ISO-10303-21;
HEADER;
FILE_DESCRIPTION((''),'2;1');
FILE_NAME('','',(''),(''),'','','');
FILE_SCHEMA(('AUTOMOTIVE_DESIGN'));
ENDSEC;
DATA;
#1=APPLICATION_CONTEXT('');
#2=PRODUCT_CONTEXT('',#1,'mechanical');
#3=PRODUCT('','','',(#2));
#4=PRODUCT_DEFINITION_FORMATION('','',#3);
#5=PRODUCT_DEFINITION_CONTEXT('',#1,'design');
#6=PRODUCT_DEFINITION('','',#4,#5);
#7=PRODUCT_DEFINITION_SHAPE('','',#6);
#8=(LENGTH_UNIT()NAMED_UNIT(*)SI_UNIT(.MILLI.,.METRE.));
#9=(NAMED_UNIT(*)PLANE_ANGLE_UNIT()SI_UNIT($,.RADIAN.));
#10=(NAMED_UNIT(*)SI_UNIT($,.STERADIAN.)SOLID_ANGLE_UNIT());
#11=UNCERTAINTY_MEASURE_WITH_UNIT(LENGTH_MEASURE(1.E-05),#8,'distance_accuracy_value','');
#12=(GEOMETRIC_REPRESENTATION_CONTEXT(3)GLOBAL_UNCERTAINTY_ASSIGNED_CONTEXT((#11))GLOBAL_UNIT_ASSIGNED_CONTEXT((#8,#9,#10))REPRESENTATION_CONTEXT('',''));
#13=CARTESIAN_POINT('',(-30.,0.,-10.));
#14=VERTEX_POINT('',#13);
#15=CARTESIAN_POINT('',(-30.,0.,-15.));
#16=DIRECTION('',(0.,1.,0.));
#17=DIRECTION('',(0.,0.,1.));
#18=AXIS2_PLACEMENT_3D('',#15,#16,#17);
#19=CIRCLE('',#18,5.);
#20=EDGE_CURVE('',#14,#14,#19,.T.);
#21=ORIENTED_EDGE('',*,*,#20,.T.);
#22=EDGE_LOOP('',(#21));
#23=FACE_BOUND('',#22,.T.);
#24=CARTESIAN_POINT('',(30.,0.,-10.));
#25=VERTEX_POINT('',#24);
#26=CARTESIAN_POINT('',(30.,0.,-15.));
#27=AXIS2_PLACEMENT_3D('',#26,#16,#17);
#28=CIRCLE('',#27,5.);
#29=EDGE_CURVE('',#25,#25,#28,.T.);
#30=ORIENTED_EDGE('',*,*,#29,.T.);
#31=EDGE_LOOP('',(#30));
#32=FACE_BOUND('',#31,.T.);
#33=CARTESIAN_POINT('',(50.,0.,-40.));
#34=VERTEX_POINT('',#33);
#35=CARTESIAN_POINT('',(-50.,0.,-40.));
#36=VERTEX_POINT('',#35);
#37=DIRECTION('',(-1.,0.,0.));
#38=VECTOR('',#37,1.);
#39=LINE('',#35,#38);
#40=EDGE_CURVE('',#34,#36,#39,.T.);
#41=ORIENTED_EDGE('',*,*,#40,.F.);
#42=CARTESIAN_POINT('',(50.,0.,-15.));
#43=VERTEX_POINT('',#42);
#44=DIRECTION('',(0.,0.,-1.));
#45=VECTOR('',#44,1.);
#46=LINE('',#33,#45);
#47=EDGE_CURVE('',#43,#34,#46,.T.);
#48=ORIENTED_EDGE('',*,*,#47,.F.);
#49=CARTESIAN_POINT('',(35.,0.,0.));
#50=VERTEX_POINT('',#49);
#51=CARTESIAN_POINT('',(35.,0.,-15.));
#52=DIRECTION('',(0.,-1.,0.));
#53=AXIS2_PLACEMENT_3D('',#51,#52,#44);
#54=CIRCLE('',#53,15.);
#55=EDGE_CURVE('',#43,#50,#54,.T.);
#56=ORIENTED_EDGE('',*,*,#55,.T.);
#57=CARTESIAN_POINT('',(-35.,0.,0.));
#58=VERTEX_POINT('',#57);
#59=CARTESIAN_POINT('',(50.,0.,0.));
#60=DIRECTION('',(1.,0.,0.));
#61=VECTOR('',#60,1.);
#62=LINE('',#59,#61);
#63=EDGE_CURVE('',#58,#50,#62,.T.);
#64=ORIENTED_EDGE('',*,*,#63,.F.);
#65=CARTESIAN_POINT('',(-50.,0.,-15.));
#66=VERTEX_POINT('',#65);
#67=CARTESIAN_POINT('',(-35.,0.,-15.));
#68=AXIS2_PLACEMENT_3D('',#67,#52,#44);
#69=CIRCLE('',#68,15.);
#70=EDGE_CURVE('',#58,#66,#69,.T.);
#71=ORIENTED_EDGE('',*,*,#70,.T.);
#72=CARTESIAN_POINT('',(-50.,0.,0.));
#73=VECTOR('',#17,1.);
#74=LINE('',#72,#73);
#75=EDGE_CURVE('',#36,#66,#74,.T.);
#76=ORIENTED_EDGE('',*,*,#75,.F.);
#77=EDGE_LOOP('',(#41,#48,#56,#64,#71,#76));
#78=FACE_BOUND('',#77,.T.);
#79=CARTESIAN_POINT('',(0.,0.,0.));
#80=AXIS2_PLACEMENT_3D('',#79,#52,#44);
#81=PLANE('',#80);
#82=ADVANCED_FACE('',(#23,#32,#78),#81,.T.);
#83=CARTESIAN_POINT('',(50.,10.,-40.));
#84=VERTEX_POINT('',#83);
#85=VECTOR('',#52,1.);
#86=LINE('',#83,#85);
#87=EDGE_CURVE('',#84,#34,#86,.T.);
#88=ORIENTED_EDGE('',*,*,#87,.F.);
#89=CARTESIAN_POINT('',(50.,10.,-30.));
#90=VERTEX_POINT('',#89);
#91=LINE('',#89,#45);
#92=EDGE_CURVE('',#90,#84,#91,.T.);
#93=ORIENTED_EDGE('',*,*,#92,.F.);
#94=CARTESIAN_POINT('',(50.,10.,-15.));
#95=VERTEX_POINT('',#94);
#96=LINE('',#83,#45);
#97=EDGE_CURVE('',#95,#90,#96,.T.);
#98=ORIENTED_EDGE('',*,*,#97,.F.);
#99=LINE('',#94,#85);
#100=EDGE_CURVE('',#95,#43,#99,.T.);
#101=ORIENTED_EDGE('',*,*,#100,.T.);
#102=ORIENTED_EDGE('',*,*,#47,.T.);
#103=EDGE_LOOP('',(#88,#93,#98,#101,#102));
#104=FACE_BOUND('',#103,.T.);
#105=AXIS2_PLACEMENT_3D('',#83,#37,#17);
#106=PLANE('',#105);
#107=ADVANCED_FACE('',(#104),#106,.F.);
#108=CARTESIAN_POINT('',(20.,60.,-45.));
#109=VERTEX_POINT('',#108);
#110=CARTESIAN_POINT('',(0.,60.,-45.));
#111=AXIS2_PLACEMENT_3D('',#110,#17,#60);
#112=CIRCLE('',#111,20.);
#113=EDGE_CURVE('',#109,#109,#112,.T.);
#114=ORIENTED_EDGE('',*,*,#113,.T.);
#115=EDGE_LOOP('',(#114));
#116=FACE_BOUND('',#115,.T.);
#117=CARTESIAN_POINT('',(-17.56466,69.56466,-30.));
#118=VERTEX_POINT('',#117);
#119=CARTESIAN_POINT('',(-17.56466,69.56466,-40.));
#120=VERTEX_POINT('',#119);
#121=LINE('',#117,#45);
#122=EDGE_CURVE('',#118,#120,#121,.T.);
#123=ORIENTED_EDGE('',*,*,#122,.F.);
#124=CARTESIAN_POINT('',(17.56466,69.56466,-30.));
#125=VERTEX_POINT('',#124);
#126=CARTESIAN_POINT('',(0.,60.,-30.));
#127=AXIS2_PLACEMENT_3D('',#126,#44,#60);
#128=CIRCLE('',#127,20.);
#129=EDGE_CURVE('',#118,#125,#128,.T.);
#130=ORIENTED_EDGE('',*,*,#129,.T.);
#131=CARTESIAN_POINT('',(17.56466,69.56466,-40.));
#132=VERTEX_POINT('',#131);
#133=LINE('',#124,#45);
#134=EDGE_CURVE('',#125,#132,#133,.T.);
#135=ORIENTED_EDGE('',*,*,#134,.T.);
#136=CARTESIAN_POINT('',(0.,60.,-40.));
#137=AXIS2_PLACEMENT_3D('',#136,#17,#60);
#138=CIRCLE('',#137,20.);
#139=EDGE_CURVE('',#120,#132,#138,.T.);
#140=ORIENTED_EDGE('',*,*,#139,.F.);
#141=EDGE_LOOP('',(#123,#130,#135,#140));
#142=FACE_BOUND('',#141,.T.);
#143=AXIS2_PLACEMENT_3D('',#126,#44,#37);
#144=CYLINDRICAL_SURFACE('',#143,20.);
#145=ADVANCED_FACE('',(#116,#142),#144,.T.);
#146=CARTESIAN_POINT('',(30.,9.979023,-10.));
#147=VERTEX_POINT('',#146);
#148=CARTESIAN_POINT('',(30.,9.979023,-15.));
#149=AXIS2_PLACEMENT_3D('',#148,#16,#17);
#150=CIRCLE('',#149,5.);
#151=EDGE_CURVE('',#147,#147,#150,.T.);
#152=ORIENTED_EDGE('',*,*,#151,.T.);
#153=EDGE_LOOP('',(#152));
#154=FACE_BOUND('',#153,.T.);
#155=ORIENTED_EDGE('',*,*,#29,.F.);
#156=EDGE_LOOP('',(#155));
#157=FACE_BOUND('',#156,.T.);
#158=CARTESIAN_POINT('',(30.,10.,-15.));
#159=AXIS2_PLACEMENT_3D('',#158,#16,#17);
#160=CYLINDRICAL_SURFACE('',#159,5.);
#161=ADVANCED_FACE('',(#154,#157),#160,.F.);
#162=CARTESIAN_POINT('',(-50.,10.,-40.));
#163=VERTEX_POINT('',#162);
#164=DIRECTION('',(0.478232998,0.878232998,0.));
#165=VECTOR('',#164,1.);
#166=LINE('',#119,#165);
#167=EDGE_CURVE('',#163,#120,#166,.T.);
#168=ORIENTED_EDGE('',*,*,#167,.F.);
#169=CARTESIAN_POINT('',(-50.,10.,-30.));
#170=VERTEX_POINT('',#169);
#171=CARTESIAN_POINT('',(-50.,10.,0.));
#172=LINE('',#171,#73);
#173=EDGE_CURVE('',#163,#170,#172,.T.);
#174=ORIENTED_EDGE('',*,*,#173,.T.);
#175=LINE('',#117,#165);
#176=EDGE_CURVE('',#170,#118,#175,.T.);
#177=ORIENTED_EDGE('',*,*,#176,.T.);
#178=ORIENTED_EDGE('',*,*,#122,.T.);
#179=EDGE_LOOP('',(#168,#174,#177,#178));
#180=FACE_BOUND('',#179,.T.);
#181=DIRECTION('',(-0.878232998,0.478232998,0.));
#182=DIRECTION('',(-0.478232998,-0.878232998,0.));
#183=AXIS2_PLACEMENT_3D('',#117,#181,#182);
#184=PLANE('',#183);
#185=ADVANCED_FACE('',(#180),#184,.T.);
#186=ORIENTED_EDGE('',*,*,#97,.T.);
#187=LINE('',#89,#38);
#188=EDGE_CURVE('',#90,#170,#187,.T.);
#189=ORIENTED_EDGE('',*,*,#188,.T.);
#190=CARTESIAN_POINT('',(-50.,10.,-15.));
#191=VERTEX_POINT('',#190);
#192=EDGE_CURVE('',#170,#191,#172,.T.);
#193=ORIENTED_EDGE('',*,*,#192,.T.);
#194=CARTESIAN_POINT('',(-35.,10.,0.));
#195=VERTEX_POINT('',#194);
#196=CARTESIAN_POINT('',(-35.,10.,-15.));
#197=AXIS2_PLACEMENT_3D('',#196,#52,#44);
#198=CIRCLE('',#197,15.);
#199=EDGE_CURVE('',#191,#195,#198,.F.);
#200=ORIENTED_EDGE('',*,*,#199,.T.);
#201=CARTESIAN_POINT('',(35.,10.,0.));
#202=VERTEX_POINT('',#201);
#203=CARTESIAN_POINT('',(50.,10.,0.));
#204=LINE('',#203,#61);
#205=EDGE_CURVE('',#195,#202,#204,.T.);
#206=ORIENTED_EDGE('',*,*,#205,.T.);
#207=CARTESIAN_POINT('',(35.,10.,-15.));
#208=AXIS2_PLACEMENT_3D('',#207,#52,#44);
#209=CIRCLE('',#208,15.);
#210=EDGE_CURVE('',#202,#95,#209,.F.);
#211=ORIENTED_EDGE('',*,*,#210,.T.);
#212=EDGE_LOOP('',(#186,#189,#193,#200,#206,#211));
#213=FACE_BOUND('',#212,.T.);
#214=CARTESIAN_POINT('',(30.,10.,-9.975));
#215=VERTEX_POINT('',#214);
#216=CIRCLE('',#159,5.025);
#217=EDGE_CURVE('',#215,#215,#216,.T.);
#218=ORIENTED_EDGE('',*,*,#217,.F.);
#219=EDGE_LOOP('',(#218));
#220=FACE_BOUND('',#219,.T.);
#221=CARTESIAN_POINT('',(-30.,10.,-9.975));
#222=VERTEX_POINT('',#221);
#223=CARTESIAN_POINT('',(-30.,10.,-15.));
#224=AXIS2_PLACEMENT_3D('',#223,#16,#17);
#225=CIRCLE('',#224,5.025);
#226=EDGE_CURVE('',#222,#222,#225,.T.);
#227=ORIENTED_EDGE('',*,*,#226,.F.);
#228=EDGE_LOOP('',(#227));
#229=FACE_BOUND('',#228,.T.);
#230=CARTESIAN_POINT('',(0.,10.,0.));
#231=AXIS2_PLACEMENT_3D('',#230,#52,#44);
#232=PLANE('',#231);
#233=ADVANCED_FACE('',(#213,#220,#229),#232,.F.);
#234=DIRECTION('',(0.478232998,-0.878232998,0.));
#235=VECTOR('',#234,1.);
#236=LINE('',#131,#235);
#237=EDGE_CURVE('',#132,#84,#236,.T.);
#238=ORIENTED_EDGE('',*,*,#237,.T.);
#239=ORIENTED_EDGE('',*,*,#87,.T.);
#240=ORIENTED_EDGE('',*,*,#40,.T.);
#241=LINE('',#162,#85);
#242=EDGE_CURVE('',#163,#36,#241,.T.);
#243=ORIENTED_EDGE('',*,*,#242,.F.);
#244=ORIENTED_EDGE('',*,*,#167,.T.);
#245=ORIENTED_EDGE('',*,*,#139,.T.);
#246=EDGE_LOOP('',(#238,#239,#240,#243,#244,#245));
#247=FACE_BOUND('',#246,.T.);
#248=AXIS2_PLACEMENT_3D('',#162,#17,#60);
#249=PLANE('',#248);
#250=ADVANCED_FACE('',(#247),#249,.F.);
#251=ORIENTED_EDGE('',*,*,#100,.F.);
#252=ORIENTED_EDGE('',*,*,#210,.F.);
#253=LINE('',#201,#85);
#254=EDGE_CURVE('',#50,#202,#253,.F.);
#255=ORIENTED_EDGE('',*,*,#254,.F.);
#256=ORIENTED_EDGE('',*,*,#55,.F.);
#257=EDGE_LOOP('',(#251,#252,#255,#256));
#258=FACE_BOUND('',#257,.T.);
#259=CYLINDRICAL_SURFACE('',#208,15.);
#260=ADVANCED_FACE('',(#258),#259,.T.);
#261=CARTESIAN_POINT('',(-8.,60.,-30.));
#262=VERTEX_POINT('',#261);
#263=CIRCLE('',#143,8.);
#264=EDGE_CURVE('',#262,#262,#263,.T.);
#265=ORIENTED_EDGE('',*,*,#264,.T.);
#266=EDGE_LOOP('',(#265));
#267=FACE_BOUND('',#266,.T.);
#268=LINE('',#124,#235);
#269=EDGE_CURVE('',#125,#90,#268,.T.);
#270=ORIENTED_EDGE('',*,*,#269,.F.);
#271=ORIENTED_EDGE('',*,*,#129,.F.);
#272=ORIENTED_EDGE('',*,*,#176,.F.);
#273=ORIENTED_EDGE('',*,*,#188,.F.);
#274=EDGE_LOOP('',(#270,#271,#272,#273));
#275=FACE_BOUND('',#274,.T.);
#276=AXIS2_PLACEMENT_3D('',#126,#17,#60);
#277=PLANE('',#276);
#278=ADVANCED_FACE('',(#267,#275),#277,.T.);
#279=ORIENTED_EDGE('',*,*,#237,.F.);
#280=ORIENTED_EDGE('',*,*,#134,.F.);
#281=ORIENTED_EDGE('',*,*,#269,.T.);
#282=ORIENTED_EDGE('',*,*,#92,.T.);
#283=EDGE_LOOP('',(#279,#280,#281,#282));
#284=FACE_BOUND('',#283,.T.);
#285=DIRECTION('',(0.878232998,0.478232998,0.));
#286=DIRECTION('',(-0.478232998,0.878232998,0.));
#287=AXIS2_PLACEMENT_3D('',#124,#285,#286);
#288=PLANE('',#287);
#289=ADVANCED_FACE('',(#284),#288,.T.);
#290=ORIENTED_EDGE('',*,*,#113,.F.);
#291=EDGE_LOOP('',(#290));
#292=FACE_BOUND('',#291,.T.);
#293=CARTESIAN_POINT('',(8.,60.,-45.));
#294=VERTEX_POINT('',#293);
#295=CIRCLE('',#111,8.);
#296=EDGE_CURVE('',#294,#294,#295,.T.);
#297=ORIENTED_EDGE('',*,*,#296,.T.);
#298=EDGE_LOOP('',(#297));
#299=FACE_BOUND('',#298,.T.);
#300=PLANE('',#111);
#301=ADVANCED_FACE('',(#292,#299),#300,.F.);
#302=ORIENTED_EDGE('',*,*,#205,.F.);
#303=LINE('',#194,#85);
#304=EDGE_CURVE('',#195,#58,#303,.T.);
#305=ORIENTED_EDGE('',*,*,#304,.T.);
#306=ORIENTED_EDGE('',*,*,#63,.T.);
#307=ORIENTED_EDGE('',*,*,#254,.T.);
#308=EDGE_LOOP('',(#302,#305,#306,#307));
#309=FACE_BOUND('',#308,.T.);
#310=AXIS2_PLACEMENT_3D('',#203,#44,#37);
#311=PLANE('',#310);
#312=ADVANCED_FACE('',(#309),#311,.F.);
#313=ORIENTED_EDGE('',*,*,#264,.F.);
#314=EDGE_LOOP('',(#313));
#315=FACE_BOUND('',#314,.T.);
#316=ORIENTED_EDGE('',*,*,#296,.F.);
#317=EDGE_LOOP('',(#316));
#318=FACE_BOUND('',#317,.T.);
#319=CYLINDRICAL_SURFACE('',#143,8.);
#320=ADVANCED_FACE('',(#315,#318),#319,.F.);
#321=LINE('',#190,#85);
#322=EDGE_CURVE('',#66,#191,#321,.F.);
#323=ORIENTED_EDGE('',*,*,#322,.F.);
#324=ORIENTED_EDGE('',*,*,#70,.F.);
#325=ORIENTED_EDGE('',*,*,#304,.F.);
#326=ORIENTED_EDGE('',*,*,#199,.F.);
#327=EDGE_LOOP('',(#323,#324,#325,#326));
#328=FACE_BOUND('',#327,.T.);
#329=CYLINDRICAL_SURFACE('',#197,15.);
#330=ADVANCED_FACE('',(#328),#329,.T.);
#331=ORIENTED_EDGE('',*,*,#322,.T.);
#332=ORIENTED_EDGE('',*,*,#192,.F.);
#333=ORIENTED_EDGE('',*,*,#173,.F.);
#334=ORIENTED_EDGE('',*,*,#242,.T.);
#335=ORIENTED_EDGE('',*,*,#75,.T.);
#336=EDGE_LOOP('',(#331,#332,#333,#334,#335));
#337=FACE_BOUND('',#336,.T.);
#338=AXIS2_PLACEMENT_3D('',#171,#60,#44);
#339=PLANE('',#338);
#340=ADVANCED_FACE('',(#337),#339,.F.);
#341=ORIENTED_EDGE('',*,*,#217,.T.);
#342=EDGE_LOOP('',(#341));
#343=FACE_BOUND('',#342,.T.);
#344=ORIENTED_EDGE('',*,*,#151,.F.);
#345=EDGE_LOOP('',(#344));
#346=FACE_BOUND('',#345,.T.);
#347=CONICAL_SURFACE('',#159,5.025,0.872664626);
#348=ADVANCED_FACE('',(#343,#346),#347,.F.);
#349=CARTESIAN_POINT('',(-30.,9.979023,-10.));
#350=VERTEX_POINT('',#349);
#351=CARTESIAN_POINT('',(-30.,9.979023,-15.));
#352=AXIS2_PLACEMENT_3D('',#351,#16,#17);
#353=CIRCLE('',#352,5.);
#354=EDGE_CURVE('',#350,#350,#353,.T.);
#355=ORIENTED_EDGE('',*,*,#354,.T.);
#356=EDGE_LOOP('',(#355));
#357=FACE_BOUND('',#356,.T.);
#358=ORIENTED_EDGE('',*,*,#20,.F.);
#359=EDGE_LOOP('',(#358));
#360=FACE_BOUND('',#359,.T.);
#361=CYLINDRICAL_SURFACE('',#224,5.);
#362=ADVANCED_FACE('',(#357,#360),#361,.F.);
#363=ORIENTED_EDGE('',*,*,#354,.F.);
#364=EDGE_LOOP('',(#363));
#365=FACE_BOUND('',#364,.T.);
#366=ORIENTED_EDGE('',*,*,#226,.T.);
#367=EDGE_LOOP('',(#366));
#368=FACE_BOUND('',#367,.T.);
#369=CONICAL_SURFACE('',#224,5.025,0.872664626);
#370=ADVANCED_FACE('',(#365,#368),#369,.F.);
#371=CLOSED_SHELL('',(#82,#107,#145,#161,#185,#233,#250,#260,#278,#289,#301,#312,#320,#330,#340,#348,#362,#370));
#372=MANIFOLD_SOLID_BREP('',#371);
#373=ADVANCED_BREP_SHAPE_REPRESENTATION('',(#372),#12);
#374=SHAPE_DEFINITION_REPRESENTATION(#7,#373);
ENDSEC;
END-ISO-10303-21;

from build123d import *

# Parameters (mm, degrees)
CROQUIS1_W                           = 100
CROQUIS1_H                           = 40
SALIENTE_EXTRUIR1_DEPTH              = 10
CROQUIS2_R                           = 8
SALIENTE_EXTRUIR2_DEPTH              = 10
SALIENTE_EXTRUIR3_START              = -15
CROQUIS3_R                           = 20
CROQUIS3_R_2                         = 8
SALIENTE_EXTRUIR3_DEPTH              = 15
F_10_0_10_DIAMETER_HOLE1_D           = 10
F_10_0_10_DIAMETER_HOLE1_CSINK_D     = 10.05
F_10_0_10_DIAMETER_HOLE1_CSINK_ANGLE = 100
F_10_0_10_DIAMETER_HOLE2_D           = 10
F_10_0_10_DIAMETER_HOLE2_CSINK_D     = 10.05
F_10_0_10_DIAMETER_HOLE2_CSINK_ANGLE = 100
REDONDEO2_R                          = 15


with BuildPart() as part:
    # Croquis1 → Saliente-Extruir1 (new body)
    with BuildSketch(Plane(origin=(0, 0, 0), x_dir=(1, 0, 0), z_dir=(0, 1, 0))):
        with Locations((0, 20)):
            Rectangle(CROQUIS1_W, CROQUIS1_H)
    extrude(amount=SALIENTE_EXTRUIR1_DEPTH)

    # Croquis2 → Saliente-Extruir2 (add)
    with BuildSketch(Plane(origin=(0, 0, -40), x_dir=(-1, 0, 0), z_dir=(0, 0, -1))):
        with BuildLine():
            Line((-17.564659966, 69.564659966), (-50, 10))
            Line((-50, 10), (50, 10))
            Line((50, 10), (17.564659966, 69.564659966))
            ThreePointArc((17.564659966, 69.564659966), (0, 80), (-17.564659966, 69.564659966))
        make_face()
        with Locations((0, 60)):
            Circle(CROQUIS2_R, mode=Mode.SUBTRACT)
    extrude(amount=-SALIENTE_EXTRUIR2_DEPTH)

    # Croquis3 → Saliente-Extruir3 (add)
    with BuildSketch(Plane.XY.offset(-30).offset(SALIENTE_EXTRUIR3_START)):
        with Locations(Location((0, 60, 0), (0, 0, 151.429940189))):
            Circle(CROQUIS3_R)
        with Locations(Location((0, 60, 0), (0, 0, 180))):
            Circle(CROQUIS3_R_2, mode=Mode.SUBTRACT)
    extrude(amount=SALIENTE_EXTRUIR3_DEPTH)

    # Ø10.0 (10) Diameter Hole1 (through all)
    with Locations(Plane(origin=(0, 10, 0), x_dir=(1, 0, 0), z_dir=(0, 1, 0))):
        with Locations((30, 15)):
            CounterSinkHole(F_10_0_10_DIAMETER_HOLE1_D / 2, F_10_0_10_DIAMETER_HOLE1_CSINK_D / 2, counter_sink_angle=F_10_0_10_DIAMETER_HOLE1_CSINK_ANGLE)

    # Ø10.0 (10) Diameter Hole2 (through all)
    with Locations(Plane(origin=(0, 10, 0), x_dir=(1, 0, 0), z_dir=(0, 1, 0))):
        with Locations((-30, 15)):
            CounterSinkHole(F_10_0_10_DIAMETER_HOLE2_D / 2, F_10_0_10_DIAMETER_HOLE2_CSINK_D / 2, counter_sink_angle=F_10_0_10_DIAMETER_HOLE2_CSINK_ANGLE)

    # Redondeo2
    redondeo2_edges = [part.edges().sort_by_distance(p)[0] for p in [
        (50, 5, 0),
        (-50, 5, 0),
    ]]
    fillet(redondeo2_edges, radius=REDONDEO2_R)


solid = part.part
